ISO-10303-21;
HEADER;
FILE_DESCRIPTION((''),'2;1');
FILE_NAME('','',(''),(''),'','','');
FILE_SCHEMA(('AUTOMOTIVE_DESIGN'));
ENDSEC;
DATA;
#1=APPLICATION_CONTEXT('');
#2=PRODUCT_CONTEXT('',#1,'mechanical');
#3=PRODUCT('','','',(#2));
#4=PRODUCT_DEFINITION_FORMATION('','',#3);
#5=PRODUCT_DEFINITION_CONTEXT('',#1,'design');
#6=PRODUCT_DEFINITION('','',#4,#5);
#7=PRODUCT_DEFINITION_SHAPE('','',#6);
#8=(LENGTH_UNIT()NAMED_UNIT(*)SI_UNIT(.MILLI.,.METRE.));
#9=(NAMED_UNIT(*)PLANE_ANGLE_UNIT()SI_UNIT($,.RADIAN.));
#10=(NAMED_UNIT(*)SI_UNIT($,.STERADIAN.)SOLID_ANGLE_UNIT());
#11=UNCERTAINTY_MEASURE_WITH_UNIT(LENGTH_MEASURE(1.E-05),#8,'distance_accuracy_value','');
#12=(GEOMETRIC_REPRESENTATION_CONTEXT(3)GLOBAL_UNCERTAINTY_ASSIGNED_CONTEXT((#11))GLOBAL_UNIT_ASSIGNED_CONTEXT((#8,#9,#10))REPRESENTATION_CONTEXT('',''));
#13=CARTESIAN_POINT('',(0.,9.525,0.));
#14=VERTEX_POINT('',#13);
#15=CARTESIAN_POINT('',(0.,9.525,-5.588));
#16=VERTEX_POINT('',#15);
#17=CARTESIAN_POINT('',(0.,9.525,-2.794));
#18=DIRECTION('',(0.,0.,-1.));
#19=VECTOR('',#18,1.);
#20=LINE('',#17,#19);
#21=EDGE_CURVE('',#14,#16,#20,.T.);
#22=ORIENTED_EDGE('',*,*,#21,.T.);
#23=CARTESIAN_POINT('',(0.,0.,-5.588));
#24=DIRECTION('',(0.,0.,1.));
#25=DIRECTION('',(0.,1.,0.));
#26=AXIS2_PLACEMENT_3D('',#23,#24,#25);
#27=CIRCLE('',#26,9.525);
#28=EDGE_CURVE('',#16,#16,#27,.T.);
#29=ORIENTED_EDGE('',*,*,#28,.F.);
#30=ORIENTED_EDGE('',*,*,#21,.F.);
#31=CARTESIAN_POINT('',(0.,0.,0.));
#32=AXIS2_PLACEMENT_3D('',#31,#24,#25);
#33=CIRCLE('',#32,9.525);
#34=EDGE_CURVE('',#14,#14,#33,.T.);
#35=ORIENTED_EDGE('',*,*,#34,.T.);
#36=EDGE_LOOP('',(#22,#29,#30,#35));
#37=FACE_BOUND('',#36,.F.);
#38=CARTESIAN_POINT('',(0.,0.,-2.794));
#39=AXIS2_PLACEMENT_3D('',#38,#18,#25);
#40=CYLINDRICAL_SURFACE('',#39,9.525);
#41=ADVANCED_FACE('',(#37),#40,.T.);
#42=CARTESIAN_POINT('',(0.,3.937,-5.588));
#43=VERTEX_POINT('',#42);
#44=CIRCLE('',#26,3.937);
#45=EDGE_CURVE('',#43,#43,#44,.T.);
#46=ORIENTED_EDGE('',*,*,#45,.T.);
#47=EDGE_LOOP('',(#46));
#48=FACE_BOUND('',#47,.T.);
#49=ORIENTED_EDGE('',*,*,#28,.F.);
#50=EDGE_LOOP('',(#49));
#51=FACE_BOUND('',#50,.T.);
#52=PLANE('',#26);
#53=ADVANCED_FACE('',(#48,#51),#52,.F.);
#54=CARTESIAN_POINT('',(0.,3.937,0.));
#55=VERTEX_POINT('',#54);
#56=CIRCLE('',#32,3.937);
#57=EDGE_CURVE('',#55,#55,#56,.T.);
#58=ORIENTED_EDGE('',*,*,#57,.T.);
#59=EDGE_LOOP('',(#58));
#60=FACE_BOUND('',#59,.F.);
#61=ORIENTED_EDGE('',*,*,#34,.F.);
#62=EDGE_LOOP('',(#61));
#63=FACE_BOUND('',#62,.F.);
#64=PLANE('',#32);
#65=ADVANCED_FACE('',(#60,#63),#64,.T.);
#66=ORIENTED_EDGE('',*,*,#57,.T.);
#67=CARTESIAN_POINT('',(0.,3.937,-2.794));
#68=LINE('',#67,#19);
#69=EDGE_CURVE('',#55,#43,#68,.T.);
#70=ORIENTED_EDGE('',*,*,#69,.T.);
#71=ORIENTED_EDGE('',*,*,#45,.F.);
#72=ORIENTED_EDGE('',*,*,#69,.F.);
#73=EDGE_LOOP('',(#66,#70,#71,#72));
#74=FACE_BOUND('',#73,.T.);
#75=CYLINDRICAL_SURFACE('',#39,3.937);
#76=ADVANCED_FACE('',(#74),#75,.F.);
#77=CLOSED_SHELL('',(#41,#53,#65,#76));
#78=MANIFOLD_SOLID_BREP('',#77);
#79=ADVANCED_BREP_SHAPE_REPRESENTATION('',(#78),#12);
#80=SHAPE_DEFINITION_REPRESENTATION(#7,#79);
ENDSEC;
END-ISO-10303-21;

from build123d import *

# Parameters (mm, degrees)
SKETCH1_W = 5.588
SKETCH1_H = 5.588


with BuildPart() as part:
    # Sketch1 → Revolve1 (revolve)
    with BuildSketch(Plane(origin=(0, 0, 0), x_dir=(0, 0, -1), z_dir=(1, 0, 0))):
        with Locations((2.794, 6.731)):
            Rectangle(SKETCH1_W, SKETCH1_H)
    revolve(axis=Axis((0, 0, -5.588), (0, 0, 1)))


solid = part.part
